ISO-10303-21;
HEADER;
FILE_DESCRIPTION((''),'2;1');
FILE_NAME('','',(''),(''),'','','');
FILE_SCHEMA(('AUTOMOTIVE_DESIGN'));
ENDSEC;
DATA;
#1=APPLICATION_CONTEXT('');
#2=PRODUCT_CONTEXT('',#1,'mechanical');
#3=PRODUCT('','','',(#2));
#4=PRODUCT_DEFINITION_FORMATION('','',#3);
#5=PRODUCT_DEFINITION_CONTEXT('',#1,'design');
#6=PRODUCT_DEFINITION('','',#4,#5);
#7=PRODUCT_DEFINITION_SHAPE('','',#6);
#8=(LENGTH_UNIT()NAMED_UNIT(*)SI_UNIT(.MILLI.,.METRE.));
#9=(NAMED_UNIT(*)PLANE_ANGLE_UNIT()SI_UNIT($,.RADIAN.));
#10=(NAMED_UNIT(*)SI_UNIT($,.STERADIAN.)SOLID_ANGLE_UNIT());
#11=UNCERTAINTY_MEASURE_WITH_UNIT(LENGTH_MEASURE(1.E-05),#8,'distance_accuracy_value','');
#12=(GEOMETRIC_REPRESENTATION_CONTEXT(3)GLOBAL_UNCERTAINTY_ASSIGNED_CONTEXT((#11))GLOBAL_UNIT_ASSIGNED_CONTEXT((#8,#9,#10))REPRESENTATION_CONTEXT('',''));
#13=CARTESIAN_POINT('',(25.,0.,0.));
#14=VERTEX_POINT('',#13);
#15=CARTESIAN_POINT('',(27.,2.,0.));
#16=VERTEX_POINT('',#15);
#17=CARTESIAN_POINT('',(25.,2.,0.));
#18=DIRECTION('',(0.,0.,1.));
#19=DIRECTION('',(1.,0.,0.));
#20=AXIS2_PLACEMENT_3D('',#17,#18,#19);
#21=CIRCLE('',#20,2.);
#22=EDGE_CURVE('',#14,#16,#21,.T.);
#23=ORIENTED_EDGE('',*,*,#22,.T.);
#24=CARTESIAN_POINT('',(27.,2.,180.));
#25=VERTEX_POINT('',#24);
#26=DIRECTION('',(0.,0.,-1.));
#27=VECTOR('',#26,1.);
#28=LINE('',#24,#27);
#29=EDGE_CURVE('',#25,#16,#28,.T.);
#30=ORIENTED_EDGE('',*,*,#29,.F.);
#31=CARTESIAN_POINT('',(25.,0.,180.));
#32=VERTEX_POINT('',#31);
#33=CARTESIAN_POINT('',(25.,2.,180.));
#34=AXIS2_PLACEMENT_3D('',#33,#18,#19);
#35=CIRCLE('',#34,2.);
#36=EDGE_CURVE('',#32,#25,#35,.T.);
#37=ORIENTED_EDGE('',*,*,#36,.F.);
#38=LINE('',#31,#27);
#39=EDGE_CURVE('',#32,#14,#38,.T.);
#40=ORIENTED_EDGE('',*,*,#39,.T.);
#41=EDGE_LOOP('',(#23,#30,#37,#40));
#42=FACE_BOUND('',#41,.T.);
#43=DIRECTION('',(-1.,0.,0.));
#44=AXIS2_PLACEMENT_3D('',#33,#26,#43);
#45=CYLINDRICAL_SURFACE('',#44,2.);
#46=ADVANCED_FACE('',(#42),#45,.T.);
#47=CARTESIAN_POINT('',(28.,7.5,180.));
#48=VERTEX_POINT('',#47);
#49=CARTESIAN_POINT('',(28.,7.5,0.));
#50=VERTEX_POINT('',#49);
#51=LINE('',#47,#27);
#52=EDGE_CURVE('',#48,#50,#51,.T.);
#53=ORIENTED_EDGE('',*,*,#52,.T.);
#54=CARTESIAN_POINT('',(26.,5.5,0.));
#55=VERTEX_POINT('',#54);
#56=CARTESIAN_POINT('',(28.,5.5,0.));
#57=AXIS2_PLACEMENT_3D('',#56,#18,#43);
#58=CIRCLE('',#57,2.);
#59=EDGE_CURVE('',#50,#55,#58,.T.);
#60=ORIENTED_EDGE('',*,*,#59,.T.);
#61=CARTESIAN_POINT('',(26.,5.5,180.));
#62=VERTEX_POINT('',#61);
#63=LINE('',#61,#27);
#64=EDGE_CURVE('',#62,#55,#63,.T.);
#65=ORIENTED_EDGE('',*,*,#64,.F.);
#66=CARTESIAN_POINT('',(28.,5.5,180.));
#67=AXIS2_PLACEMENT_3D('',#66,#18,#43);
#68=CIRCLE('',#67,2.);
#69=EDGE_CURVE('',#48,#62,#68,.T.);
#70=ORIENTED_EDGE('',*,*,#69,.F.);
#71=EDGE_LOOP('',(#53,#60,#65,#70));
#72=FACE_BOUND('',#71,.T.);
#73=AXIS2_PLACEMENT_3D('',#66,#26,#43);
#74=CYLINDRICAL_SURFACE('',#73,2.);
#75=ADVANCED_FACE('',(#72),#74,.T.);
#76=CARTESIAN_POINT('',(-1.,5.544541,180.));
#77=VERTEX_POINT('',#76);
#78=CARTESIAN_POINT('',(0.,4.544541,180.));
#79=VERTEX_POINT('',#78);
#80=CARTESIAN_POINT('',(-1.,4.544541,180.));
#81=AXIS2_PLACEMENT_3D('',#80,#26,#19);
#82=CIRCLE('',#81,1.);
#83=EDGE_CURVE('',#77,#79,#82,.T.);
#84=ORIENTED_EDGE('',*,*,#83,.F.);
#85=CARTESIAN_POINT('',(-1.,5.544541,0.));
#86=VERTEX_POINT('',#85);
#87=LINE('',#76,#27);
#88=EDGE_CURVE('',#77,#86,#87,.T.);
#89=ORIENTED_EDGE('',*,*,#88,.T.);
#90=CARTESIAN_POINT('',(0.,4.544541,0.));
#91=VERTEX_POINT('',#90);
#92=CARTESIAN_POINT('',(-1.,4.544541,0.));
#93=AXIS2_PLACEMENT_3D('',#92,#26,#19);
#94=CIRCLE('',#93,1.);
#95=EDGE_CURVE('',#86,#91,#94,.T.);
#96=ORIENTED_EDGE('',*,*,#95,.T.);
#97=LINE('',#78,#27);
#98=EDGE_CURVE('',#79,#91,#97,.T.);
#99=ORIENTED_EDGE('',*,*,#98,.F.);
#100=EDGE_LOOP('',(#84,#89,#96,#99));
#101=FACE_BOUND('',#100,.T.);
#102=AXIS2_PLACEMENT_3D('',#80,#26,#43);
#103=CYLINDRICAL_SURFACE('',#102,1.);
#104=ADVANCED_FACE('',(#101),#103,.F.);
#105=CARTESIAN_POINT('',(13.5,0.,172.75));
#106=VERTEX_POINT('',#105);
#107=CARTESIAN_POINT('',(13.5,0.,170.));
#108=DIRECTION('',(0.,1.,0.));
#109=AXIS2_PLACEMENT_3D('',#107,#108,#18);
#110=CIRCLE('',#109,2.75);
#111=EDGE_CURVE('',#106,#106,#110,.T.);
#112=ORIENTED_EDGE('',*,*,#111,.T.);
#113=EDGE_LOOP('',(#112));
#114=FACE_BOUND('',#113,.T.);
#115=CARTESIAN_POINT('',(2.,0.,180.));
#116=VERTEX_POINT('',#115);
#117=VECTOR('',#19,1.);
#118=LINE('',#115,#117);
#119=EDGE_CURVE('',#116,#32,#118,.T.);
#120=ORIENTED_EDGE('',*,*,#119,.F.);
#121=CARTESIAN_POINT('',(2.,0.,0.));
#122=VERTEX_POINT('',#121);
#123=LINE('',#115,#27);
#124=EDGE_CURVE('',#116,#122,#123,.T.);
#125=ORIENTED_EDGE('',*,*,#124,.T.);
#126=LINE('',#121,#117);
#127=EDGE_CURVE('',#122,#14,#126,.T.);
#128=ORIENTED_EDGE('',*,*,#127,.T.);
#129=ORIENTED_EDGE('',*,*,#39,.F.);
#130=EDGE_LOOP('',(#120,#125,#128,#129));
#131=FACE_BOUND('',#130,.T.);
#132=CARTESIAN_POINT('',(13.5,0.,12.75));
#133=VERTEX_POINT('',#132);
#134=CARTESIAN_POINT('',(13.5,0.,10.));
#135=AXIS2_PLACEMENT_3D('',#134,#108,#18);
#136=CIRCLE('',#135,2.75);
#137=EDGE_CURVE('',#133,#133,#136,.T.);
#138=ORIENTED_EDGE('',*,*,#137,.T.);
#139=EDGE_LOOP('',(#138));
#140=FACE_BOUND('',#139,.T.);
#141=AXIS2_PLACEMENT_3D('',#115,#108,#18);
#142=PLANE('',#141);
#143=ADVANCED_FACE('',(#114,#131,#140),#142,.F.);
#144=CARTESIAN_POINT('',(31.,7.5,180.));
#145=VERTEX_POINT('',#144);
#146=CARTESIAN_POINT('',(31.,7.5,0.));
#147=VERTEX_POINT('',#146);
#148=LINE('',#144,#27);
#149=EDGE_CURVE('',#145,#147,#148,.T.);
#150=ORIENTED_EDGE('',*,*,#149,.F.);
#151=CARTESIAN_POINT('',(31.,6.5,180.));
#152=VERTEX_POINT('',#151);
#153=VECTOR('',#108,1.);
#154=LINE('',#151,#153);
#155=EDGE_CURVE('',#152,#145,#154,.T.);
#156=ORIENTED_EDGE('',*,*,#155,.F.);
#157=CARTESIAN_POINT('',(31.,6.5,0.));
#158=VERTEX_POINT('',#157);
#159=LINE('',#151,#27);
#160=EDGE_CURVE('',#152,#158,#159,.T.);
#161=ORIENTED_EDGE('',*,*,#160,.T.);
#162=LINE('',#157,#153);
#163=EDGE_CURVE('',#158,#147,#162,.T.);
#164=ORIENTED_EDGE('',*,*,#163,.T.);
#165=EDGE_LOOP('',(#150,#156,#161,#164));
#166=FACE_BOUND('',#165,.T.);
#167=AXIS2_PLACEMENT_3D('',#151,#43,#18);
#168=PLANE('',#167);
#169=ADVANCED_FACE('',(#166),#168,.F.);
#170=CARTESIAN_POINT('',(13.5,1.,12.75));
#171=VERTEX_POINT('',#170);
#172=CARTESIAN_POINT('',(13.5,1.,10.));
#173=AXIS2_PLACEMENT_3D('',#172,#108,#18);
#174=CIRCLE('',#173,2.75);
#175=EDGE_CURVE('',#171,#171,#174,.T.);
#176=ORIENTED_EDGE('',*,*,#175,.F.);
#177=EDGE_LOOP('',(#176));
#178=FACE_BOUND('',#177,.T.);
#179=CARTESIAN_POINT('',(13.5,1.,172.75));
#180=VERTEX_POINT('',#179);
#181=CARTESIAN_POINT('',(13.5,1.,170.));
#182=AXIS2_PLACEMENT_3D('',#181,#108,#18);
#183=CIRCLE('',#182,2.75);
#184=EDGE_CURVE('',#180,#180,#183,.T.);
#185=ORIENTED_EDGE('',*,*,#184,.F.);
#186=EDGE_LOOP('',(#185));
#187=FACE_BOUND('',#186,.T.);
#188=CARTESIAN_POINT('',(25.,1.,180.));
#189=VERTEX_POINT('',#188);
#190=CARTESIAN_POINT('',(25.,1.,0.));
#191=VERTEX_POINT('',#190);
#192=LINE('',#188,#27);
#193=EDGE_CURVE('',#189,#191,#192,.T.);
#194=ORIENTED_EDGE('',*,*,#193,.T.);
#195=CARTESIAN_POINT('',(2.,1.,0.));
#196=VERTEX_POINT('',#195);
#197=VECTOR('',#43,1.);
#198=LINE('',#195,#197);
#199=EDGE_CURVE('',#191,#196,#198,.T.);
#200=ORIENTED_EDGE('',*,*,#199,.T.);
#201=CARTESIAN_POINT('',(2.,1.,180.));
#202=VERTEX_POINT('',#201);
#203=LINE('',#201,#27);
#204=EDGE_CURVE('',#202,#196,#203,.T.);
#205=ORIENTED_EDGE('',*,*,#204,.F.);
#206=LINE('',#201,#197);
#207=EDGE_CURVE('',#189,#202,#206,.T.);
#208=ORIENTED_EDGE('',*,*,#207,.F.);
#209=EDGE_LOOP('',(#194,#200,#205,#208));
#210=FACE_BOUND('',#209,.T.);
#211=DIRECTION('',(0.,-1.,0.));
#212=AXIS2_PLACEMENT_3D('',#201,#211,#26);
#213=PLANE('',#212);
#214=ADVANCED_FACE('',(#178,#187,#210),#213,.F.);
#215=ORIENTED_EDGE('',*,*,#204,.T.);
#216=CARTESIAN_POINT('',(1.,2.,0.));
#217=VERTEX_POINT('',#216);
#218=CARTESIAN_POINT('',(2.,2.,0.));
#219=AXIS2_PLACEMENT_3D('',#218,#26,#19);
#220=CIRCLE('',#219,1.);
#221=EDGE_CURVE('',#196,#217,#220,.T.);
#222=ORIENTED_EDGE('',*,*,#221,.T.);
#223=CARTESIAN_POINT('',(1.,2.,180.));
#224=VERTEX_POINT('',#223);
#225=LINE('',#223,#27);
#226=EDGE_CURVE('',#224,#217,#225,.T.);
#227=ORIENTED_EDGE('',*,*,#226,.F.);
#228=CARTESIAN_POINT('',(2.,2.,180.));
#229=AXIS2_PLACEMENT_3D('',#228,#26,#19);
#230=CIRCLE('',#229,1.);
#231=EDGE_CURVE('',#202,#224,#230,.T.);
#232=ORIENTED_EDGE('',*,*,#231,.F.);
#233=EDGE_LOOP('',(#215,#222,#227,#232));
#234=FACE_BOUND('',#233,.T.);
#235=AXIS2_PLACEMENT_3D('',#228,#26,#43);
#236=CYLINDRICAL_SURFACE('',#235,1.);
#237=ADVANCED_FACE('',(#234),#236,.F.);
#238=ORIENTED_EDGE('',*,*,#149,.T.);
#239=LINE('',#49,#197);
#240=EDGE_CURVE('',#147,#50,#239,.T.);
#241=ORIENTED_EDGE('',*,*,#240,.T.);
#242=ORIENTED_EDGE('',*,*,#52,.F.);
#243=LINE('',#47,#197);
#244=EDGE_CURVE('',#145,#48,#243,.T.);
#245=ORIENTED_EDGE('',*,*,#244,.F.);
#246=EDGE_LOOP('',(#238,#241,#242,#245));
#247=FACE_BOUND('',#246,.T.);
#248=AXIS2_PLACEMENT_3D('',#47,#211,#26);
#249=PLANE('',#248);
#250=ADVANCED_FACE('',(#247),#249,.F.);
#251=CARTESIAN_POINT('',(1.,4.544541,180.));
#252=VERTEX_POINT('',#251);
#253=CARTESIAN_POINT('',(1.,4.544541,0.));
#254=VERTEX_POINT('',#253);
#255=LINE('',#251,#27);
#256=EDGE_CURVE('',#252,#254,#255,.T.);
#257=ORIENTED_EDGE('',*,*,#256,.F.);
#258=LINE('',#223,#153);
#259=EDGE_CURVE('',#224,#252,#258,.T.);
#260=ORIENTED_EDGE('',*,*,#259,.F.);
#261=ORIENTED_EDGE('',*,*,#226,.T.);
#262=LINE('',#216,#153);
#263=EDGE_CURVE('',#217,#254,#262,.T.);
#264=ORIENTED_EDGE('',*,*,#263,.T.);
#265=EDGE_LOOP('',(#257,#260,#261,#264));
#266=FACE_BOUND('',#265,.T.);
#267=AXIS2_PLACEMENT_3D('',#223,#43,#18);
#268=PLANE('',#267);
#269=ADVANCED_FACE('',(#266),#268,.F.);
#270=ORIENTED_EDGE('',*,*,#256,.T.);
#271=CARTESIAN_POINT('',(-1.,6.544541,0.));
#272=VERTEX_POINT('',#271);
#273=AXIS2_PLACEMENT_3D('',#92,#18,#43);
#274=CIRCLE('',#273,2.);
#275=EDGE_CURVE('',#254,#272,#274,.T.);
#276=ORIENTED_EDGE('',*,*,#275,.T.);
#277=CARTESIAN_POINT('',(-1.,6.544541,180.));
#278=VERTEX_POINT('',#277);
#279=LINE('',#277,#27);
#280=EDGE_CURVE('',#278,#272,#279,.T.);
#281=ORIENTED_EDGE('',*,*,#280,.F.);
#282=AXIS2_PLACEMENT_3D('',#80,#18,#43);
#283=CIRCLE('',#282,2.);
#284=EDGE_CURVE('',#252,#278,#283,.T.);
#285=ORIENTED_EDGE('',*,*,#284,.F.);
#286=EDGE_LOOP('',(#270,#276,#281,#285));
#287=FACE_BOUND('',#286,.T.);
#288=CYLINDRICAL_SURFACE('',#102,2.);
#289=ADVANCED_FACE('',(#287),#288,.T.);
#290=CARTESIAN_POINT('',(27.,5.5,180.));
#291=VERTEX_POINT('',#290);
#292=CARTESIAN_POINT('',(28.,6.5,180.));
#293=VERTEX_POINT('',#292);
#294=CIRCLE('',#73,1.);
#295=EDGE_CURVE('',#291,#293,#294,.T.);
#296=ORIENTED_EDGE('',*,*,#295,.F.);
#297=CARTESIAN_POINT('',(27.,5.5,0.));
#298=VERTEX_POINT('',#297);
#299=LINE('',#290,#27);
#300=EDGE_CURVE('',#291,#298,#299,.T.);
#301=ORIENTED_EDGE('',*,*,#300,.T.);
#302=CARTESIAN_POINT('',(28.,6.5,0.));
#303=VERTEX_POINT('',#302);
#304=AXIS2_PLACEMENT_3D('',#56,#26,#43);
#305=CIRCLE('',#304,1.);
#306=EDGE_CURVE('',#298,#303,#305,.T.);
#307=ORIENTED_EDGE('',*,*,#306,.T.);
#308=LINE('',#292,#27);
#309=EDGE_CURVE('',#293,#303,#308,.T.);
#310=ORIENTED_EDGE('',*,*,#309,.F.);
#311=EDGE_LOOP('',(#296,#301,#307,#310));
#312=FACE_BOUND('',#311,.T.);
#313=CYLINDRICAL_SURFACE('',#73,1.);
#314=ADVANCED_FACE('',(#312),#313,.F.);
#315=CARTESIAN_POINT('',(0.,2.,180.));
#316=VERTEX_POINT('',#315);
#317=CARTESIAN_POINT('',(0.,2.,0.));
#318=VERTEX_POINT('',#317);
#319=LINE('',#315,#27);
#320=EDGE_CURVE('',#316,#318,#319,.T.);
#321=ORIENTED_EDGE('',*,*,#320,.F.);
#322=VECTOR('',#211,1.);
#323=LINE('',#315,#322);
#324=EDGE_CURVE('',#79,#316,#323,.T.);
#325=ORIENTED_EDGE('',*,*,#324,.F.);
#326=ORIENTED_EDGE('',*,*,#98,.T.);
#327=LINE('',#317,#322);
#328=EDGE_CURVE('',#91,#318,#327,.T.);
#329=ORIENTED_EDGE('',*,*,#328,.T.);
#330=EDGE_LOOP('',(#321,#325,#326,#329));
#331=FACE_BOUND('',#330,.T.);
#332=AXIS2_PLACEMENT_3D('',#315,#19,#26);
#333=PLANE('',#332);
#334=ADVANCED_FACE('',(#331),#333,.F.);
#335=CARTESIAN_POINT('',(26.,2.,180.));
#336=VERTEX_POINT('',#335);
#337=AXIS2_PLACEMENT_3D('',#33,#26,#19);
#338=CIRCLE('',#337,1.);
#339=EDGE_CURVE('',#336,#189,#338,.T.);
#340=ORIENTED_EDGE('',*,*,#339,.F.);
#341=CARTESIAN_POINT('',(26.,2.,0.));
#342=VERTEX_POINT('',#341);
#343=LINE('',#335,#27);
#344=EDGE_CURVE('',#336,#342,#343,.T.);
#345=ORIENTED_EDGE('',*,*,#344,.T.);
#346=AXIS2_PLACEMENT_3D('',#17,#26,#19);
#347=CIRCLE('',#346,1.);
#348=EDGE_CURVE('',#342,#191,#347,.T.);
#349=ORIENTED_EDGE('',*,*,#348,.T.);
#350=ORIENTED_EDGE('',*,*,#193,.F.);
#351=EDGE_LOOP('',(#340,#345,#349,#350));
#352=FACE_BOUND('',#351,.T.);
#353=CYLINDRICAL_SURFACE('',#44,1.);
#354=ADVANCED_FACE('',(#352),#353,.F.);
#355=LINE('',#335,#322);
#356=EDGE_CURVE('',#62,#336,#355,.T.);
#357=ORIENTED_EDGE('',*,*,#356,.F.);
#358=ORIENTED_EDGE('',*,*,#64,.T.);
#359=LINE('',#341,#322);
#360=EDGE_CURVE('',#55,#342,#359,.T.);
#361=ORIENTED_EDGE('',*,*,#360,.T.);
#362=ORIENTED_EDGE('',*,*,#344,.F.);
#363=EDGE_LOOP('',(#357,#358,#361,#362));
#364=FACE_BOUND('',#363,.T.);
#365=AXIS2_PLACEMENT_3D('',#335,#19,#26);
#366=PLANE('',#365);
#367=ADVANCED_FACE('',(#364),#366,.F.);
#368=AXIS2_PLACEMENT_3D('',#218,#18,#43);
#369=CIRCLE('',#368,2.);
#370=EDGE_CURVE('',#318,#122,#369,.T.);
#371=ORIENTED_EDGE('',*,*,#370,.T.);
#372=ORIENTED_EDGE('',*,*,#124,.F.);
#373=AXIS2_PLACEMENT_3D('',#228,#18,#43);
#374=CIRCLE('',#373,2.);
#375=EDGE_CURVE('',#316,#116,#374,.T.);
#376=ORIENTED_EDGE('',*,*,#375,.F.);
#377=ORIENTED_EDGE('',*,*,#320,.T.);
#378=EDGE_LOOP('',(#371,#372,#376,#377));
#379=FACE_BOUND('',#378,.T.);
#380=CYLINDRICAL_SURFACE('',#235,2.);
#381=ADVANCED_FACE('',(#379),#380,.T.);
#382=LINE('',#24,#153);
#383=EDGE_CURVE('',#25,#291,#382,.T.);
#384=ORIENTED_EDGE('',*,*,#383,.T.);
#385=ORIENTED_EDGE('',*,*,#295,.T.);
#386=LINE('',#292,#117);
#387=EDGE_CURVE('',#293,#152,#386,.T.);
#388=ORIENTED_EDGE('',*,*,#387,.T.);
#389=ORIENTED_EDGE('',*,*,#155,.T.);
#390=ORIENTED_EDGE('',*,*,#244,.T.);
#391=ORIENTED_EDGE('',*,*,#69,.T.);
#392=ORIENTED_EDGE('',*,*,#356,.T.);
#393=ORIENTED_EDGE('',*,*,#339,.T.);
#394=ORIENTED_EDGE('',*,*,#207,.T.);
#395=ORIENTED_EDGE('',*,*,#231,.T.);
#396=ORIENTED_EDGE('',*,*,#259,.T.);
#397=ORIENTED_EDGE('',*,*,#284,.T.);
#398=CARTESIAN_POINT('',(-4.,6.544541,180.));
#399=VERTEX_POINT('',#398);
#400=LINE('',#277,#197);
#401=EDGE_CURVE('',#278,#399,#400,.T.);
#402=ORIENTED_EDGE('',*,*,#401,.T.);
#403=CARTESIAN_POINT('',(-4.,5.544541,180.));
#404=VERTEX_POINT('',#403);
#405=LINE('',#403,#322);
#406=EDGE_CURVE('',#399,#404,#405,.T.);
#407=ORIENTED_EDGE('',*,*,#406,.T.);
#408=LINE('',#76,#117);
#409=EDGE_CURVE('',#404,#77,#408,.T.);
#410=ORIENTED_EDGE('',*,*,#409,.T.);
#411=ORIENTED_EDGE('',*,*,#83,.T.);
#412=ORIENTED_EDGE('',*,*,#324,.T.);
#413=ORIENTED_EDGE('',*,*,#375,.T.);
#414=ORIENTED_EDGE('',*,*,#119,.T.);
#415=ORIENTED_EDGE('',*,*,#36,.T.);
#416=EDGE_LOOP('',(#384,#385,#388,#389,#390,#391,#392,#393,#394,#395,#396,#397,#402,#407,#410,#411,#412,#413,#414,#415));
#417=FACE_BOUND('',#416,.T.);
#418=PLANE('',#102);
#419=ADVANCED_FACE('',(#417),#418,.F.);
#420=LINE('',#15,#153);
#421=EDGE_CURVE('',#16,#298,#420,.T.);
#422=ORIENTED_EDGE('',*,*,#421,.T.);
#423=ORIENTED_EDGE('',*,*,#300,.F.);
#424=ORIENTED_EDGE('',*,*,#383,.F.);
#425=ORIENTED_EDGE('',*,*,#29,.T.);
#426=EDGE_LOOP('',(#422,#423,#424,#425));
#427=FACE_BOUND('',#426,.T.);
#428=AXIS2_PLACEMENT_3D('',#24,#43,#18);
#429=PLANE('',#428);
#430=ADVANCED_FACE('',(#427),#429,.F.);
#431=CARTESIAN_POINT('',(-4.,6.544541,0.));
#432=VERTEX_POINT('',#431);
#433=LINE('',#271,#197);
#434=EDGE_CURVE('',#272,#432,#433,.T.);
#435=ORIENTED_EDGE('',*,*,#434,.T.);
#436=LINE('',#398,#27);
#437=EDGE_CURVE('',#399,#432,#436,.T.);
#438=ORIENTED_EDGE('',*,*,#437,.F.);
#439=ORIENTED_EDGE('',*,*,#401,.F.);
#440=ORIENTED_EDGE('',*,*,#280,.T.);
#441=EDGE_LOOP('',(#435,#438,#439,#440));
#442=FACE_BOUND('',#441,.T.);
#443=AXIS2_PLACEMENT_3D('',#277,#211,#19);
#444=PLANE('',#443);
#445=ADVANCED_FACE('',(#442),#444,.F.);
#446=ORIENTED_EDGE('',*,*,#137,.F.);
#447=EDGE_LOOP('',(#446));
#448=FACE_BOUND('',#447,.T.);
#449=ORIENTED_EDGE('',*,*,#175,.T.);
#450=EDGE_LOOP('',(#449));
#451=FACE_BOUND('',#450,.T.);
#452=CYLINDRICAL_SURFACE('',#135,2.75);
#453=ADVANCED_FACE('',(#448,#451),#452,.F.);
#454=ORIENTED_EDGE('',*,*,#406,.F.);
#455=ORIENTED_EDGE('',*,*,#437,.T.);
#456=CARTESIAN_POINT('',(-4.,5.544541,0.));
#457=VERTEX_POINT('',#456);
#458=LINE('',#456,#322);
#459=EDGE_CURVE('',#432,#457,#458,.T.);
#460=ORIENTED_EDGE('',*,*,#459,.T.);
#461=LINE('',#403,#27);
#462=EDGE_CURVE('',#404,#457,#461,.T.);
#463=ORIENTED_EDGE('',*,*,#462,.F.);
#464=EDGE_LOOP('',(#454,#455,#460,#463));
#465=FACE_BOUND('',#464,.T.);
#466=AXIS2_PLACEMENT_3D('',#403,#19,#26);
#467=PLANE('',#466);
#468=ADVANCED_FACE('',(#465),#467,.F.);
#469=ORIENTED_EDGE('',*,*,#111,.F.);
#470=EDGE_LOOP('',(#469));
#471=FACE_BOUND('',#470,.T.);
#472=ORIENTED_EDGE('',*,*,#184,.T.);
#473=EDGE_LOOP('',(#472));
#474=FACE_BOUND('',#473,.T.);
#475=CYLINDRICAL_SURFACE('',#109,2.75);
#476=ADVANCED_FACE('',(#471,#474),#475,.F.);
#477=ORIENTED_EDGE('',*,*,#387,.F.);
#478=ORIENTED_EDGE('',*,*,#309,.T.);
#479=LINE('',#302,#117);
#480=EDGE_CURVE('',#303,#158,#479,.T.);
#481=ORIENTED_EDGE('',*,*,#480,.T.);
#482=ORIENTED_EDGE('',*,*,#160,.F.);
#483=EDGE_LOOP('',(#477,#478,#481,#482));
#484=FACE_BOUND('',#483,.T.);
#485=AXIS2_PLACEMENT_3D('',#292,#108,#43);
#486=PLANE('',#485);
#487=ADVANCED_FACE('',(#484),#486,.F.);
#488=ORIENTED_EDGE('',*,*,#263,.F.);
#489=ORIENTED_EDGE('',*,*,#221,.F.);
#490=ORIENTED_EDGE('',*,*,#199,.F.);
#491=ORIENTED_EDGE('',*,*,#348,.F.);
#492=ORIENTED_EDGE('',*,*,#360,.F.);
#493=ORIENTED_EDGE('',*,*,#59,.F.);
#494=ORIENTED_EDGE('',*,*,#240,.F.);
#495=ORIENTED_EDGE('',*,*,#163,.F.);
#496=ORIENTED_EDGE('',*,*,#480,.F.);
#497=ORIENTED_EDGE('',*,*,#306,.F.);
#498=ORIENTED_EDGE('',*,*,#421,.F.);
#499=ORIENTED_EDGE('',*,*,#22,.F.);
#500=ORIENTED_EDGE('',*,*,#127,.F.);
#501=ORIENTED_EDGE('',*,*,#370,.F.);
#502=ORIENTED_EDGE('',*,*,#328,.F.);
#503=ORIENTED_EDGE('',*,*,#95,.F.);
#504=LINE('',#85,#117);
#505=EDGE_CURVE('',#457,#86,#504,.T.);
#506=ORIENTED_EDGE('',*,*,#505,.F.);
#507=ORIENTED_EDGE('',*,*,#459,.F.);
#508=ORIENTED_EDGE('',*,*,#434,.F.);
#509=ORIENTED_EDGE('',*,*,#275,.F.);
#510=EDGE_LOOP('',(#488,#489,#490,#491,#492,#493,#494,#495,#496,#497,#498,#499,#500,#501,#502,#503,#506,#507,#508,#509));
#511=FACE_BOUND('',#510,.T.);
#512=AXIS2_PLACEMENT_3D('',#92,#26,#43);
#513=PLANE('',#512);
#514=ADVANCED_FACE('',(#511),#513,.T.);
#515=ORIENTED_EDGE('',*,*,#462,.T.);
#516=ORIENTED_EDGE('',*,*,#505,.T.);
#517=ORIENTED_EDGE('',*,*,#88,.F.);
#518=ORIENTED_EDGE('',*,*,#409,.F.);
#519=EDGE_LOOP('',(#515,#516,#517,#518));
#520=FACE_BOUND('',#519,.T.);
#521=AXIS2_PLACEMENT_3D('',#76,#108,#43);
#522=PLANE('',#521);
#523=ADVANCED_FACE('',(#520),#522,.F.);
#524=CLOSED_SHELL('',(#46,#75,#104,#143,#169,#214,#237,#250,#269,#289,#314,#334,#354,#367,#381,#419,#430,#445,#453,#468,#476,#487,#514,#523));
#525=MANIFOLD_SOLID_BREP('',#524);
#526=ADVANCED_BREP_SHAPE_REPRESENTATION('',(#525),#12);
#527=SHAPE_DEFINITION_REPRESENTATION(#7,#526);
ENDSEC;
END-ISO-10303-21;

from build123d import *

# Parameters (mm, degrees)
BOSS_EXTRUDE1_DEPTH = 180
SKETCH2_R           = 2.75
CUT_EXTRUDE1_DEPTH  = 1


with BuildPart() as part:
    # Sketch1 → Boss-Extrude1 (new body)
    with BuildSketch(Plane.XY):
        with BuildLine():
            Line((2, 0), (25, 0))
            ThreePointArc((25, 0), (26.414213562, 0.585786438), (27, 2))
            Line((27, 2), (27, 5.5))
            ThreePointArc((27, 5.5), (27.292893219, 6.207106781), (28, 6.5))
            Line((28, 6.5), (31, 6.5))
            Line((31, 6.5), (31, 7.5))
            Line((31, 7.5), (28, 7.5))
            ThreePointArc((28, 7.5), (26.585786438, 6.914213562), (26, 5.5))
            Line((26, 5.5), (26, 2))
            ThreePointArc((26, 2), (25.707106781, 1.292893219), (25, 1))
            Line((25, 1), (2, 1))
            ThreePointArc((2, 1), (1.292893219, 1.292893219), (1, 2))
            Line((1, 2), (1, 4.544540718))
            ThreePointArc((1, 4.544540718), (0.414213562, 5.95875428), (-1, 6.544540718))
            Line((-1, 6.544540718), (-4, 6.544540718))
            Line((-4, 6.544540718), (-4, 5.544540718))
            Line((-4, 5.544540718), (-1, 5.544540718))
            ThreePointArc((-1, 5.544540718), (-0.292893219, 5.251647499), (0, 4.544540718))
            Line((0, 4.544540718), (0, 2))
            ThreePointArc((0, 2), (0.585786438, 0.585786438), (2, 0))
        make_face()
    extrude(amount=BOSS_EXTRUDE1_DEPTH)

    # Sketch2 → Cut-Extrude1 (cut)
    with BuildSketch(Plane(origin=(0, 1, 0), x_dir=(1, 0, 0), z_dir=(0, 1, 0))):
        with Locations(Location((13.5, -10, 0), (0, 0, 270))):
            Circle(SKETCH2_R)
        with Locations(Location((13.5, -170, 0), (0, 0, 270))):
            Circle(SKETCH2_R)
    extrude(amount=-CUT_EXTRUDE1_DEPTH, mode=Mode.SUBTRACT)


solid = part.part
